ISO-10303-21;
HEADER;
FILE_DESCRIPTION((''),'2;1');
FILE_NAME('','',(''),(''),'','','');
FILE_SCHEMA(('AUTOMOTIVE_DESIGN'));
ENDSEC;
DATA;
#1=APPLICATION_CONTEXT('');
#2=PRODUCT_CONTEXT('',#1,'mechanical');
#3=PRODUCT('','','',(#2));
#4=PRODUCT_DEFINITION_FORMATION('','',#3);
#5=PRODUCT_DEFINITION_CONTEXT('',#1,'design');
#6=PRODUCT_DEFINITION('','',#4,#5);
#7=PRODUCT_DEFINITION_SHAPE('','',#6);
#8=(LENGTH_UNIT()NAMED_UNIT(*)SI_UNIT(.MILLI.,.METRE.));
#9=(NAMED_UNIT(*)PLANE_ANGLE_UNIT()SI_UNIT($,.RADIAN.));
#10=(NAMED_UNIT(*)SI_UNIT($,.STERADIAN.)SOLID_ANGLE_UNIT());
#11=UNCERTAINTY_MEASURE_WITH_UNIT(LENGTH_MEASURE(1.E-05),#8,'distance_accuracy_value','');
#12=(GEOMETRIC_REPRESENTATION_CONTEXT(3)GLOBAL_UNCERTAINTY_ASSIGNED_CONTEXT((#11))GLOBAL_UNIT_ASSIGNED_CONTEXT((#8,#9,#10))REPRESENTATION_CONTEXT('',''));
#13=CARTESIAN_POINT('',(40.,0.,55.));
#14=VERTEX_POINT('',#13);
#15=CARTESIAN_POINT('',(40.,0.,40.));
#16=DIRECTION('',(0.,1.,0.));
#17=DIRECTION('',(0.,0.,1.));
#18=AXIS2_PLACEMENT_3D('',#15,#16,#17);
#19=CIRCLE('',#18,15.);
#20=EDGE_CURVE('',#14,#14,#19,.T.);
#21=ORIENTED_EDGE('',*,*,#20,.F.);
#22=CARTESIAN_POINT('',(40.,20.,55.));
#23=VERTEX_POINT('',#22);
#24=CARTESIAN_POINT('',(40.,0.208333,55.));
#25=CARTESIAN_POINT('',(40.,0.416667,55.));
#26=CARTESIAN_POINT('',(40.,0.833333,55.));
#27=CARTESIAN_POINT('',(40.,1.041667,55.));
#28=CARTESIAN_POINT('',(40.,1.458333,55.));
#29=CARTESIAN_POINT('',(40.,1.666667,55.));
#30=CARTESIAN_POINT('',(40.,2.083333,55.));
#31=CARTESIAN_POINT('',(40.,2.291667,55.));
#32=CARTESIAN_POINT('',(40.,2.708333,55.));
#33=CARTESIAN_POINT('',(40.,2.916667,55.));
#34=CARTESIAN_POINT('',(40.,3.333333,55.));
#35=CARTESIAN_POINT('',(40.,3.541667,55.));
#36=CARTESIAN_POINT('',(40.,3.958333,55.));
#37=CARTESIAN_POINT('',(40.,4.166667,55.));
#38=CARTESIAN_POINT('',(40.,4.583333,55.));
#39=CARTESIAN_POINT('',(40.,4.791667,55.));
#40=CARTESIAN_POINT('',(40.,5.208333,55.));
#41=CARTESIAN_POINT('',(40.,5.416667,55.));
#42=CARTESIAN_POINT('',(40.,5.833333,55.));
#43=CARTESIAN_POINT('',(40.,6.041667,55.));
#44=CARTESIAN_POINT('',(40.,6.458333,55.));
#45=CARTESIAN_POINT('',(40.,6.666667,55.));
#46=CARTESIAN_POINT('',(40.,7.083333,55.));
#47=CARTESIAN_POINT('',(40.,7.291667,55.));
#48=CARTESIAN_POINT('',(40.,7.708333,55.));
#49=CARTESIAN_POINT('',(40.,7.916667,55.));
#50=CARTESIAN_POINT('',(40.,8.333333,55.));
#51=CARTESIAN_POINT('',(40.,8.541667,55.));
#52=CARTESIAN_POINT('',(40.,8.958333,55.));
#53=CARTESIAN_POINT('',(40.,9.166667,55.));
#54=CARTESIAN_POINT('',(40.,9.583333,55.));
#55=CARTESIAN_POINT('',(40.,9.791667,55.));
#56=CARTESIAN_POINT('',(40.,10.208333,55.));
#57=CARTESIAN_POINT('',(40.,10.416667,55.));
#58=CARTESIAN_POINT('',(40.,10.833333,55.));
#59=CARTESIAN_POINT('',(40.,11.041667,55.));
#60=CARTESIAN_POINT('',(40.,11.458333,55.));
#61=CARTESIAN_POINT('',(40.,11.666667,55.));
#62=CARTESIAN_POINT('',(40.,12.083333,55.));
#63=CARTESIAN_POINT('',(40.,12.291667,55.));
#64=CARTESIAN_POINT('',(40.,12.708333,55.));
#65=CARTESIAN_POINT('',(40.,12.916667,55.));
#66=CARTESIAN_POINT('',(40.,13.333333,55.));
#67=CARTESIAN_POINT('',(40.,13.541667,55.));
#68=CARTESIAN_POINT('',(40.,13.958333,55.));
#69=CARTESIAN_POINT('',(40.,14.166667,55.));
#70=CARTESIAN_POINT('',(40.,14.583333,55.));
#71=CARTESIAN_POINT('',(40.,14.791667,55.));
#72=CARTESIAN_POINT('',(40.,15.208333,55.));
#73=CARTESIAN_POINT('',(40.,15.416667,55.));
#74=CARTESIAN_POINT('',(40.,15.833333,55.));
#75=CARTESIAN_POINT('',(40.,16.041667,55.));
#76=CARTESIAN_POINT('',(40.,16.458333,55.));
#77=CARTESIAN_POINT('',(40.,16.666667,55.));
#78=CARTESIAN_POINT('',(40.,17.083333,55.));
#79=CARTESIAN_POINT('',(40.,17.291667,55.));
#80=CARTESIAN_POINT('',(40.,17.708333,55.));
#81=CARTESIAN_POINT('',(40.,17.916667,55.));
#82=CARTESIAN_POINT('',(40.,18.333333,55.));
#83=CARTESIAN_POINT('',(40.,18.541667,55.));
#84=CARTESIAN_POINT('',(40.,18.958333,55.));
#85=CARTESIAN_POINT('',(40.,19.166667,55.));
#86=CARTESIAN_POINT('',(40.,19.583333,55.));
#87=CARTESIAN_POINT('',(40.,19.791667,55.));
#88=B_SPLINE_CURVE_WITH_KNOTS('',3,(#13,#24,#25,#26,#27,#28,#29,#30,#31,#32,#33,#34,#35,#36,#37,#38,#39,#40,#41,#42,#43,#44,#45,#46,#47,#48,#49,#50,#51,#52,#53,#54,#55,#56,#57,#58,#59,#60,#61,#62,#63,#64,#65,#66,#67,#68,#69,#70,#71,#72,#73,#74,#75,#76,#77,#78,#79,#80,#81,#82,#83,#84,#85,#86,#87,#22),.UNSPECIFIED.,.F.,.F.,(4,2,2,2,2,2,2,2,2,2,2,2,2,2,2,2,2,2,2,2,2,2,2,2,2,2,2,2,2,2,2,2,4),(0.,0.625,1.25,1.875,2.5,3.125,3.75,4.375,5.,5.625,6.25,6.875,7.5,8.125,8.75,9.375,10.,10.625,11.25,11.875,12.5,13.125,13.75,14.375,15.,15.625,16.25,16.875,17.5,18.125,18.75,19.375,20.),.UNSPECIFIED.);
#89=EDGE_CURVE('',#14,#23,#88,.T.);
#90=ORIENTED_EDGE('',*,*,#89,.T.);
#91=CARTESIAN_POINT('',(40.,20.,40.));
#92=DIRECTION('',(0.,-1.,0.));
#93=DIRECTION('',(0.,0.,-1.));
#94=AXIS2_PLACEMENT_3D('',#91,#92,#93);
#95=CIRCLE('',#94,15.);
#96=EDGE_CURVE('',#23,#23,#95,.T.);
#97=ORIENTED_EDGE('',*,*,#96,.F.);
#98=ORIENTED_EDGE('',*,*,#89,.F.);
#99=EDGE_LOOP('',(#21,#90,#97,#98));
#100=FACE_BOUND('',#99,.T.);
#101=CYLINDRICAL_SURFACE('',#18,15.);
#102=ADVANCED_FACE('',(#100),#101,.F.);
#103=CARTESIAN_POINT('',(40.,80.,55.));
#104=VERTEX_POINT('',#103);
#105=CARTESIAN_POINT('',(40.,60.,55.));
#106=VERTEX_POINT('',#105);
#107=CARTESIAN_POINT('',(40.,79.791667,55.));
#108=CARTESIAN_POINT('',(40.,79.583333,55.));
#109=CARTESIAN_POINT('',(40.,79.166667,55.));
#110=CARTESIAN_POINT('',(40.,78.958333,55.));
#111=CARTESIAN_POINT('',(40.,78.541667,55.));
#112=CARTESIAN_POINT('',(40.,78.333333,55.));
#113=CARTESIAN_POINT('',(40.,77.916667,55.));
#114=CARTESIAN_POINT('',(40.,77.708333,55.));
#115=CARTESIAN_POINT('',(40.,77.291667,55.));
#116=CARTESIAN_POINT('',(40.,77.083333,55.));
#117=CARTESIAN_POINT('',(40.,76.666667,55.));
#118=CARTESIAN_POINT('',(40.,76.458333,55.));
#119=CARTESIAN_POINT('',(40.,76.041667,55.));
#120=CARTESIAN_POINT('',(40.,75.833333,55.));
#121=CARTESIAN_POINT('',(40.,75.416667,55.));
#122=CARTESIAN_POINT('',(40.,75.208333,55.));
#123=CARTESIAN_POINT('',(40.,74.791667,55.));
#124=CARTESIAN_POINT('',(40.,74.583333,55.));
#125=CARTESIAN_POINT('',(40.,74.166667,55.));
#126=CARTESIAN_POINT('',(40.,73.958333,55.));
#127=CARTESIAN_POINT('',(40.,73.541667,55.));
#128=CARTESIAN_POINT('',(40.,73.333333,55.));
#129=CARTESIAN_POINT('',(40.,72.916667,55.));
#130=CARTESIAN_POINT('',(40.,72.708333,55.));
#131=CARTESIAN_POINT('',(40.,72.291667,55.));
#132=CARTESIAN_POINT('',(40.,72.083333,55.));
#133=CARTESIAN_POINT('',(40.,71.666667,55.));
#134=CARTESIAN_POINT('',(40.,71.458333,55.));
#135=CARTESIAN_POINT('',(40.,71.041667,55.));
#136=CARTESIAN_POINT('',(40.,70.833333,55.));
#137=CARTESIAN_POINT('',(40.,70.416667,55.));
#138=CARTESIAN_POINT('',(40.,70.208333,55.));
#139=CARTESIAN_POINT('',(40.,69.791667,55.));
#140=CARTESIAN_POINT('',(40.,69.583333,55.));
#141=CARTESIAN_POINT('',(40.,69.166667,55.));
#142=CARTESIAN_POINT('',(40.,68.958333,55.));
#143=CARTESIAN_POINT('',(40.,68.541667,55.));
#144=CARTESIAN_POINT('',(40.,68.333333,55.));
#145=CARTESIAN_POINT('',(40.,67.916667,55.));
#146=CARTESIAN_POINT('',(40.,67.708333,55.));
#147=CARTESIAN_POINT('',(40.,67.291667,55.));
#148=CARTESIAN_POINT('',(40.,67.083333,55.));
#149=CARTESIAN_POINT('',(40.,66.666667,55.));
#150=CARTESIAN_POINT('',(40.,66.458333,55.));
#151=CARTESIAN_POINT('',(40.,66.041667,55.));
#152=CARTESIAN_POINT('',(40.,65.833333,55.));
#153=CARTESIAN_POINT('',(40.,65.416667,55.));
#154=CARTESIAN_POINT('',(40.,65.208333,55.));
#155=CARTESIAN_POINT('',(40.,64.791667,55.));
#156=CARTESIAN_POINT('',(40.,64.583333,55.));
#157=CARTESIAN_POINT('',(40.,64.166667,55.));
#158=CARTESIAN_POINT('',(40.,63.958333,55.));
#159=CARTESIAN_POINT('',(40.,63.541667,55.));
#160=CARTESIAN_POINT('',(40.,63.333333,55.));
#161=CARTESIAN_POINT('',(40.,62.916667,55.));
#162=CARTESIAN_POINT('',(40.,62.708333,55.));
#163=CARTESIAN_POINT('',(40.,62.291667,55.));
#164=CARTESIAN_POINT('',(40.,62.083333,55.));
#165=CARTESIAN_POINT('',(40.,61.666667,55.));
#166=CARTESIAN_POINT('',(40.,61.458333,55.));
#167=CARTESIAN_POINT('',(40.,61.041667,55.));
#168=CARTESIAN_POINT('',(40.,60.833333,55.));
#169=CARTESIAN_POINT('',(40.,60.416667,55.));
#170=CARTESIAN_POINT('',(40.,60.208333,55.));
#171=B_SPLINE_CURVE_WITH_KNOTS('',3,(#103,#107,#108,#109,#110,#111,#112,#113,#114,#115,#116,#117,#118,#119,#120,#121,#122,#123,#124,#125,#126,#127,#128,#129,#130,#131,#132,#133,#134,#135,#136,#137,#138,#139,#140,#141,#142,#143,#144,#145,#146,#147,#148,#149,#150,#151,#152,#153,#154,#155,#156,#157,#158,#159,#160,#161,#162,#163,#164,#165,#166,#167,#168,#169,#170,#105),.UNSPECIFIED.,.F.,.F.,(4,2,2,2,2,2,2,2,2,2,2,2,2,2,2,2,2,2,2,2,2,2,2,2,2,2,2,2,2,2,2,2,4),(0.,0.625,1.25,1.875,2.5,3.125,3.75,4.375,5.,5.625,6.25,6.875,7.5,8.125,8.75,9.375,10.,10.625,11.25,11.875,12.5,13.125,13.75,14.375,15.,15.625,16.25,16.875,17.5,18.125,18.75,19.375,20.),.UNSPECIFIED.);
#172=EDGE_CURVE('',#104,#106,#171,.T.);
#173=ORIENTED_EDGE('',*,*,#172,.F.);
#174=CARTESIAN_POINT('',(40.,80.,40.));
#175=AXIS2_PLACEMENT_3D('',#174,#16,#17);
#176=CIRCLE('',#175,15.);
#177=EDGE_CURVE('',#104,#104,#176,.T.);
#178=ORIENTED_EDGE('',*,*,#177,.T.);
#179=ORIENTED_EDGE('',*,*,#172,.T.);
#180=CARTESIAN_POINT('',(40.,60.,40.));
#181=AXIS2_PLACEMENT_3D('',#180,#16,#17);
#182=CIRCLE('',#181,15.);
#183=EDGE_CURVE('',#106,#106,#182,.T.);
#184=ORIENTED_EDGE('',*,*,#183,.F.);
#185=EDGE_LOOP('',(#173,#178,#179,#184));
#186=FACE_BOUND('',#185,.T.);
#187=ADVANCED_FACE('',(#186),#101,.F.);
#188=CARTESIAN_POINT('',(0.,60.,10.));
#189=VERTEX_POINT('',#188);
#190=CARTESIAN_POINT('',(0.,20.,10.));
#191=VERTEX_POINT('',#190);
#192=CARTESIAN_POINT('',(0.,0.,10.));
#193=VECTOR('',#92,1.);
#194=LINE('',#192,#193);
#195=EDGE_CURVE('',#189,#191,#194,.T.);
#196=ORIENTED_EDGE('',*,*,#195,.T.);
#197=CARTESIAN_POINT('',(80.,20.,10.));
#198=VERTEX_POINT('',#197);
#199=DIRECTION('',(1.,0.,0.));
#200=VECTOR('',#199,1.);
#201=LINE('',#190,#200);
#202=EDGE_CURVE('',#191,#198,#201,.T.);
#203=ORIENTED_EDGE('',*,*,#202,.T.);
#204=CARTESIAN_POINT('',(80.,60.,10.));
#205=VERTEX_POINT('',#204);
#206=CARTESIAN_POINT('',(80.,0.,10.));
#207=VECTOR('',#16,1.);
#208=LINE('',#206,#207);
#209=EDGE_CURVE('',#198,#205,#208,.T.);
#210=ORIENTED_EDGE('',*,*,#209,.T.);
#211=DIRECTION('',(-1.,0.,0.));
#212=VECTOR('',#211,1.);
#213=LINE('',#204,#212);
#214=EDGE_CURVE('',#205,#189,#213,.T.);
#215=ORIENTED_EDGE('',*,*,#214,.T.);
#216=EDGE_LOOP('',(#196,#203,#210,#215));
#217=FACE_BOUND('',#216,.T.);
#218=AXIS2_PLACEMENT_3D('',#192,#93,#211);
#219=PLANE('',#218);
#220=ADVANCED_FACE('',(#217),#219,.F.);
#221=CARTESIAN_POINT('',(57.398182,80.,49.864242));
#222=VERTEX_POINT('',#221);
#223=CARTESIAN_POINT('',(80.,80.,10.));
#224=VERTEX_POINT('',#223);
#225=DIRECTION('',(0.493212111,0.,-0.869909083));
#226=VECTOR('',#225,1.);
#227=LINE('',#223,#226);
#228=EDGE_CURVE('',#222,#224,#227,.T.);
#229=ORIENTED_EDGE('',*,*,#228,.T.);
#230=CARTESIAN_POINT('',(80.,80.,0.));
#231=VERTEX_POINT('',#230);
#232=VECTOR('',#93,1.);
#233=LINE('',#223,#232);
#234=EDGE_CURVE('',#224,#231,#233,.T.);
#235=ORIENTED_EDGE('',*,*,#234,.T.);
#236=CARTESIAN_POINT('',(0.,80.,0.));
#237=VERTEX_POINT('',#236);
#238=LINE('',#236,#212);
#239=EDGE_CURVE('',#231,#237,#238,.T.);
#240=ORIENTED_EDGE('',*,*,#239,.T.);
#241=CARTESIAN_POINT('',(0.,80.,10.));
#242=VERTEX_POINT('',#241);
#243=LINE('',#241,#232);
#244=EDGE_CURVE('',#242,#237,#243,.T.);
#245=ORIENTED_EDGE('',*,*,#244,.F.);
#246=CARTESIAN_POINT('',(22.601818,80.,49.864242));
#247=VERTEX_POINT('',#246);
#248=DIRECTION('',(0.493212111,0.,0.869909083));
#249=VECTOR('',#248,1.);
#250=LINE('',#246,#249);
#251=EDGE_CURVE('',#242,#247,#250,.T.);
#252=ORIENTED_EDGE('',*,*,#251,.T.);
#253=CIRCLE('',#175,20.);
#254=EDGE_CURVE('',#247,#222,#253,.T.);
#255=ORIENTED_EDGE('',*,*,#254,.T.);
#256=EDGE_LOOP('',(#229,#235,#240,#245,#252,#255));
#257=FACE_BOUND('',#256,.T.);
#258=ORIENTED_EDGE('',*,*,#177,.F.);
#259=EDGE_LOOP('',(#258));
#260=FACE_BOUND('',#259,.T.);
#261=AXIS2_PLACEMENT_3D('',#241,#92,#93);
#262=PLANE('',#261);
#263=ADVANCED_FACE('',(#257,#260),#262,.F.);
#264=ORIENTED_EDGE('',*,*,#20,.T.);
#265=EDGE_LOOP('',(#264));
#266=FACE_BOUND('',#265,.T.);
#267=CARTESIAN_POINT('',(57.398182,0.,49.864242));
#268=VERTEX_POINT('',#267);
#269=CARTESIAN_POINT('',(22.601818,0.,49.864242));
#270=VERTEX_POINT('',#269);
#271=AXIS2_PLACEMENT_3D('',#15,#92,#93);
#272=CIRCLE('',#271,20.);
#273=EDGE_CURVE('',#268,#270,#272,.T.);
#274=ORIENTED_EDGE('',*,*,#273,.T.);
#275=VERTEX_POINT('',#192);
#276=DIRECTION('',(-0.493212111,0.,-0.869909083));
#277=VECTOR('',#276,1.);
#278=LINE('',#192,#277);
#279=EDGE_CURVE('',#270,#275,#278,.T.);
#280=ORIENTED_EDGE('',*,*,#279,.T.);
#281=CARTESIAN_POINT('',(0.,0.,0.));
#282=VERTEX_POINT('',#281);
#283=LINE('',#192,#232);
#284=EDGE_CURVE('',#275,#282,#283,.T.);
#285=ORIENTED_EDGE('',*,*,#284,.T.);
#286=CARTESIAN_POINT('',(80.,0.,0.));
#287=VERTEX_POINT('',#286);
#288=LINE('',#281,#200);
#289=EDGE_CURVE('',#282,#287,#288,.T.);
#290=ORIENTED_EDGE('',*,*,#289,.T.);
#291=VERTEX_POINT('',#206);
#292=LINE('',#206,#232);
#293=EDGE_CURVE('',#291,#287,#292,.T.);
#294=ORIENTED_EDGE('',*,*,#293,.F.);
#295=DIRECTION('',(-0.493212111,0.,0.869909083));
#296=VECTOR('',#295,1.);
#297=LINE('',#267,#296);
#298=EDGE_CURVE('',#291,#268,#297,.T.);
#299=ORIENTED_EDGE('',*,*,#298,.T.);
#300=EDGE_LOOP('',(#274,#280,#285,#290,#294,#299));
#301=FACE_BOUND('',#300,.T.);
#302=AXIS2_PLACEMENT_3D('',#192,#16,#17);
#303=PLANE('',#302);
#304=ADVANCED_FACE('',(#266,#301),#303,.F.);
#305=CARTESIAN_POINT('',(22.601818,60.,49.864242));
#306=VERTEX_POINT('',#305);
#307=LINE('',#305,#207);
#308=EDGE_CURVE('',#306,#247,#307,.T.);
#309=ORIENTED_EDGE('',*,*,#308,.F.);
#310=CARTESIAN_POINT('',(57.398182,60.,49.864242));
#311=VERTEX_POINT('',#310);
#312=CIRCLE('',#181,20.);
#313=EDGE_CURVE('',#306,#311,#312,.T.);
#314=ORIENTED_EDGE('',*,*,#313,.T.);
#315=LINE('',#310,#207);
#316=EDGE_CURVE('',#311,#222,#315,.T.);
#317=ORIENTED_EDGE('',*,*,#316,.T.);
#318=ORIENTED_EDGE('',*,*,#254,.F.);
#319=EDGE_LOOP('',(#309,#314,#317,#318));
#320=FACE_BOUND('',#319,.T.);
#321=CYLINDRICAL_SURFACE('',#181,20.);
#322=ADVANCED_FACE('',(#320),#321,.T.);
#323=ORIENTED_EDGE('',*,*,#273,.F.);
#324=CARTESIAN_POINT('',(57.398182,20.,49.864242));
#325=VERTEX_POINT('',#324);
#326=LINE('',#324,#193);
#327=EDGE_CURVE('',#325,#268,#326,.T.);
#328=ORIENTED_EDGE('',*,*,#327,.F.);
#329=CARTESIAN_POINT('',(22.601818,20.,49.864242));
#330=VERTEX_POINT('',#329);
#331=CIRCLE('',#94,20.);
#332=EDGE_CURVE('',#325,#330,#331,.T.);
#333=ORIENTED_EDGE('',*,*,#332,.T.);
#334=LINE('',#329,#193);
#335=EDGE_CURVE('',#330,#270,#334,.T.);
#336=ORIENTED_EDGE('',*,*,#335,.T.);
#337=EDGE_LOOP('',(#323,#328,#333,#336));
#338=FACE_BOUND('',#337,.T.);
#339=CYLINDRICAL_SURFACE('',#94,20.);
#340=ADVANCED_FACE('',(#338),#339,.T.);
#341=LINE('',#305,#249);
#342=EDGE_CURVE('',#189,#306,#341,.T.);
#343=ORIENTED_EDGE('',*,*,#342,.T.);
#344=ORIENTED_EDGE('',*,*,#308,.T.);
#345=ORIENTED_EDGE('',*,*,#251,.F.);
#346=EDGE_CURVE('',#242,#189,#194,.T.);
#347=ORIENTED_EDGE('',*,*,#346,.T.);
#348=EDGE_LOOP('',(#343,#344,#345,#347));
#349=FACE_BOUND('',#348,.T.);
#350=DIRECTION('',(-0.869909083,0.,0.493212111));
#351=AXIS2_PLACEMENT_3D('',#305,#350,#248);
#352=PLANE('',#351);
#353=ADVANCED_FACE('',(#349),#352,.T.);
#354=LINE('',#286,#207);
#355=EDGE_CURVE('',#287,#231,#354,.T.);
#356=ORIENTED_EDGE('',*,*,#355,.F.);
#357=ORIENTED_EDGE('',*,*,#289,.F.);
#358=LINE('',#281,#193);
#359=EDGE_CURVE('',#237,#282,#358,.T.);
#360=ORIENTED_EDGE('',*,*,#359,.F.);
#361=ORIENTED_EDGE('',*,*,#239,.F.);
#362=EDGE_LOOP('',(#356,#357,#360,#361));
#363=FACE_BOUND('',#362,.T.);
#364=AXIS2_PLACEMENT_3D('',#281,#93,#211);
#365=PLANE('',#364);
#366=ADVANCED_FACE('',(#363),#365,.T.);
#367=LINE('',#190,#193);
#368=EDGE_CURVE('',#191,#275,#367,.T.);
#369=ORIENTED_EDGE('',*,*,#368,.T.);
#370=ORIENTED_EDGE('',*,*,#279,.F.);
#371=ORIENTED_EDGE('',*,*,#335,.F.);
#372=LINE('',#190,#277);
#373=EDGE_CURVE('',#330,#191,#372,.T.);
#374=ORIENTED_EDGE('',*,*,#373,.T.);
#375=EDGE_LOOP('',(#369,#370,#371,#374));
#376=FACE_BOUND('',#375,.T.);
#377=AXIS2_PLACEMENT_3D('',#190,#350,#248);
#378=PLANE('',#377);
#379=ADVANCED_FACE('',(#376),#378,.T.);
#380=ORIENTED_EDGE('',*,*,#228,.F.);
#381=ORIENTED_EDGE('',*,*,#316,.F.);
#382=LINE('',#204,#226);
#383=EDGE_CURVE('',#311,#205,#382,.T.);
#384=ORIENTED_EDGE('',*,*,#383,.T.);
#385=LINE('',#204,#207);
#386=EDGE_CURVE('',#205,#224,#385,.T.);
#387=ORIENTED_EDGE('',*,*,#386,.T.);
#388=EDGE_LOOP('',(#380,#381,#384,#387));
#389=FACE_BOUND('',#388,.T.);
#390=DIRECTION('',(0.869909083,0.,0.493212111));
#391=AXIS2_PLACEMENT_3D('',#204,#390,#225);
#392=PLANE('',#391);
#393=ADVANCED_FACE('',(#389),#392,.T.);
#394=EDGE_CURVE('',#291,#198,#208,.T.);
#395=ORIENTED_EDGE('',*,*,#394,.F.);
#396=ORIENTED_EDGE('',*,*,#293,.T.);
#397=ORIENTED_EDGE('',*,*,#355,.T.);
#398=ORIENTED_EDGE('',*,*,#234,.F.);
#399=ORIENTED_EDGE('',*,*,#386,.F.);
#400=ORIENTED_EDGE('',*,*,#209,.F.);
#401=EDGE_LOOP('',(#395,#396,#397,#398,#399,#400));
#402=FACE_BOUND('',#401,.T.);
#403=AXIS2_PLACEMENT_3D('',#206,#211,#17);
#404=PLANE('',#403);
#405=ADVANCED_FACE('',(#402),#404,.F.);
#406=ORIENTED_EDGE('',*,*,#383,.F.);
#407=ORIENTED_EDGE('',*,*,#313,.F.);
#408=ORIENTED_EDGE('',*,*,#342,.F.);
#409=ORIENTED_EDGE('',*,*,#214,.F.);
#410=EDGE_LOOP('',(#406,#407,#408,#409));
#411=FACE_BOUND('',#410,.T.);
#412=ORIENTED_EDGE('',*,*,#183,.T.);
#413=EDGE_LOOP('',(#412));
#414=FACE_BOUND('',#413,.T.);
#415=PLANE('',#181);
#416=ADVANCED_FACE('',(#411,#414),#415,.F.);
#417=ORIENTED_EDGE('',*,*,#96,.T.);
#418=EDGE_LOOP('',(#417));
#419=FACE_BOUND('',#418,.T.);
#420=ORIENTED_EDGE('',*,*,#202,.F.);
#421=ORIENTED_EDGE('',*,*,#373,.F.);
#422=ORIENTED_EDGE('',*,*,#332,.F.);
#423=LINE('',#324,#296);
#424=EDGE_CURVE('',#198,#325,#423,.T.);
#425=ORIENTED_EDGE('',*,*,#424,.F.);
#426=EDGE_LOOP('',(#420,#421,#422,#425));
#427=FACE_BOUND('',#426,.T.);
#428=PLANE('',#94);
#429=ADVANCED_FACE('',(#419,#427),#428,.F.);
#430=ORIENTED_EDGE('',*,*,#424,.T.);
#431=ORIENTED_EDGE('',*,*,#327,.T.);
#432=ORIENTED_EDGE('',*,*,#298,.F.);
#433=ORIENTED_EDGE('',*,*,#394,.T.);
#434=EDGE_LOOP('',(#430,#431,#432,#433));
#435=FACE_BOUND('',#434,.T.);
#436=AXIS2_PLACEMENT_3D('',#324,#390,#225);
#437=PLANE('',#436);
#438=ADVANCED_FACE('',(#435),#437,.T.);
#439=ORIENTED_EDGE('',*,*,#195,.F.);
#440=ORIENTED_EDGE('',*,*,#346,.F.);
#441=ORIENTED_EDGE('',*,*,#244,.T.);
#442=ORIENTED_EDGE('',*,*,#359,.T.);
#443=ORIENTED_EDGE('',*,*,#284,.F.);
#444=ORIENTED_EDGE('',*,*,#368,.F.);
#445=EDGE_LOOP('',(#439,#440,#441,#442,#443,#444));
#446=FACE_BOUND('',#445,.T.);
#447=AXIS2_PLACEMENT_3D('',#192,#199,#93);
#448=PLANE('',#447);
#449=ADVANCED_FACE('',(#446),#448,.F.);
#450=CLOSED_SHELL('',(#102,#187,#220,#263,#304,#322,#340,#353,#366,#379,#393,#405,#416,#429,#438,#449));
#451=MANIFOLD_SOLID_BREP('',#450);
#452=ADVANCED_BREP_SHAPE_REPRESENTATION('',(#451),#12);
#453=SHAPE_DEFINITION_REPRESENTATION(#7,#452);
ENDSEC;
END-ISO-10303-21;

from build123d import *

# Parameters (mm, degrees)
SKETCH_2_W          = 80
SKETCH_2_H          = 80
EXTRUDE_1_DEPTH     = 10
EXTRUDE_2_DEPTH     = 20
EXTRUDE_START       = -20
EXTRUDE_3_DEPTH     = 20
SKETCH_5_R          = 15
CUT_EXTRUDE_1_DEPTH = 80


with BuildPart() as part:
    # 草图2 → 凸台-拉伸1 (new body)
    with BuildSketch(Plane.XY):
        with Locations((40, 40)):
            Rectangle(SKETCH_2_W, SKETCH_2_H)
    extrude(amount=EXTRUDE_1_DEPTH)

    # 草图3 → 凸台-拉伸2 (add)
    with BuildSketch(Plane.XZ):
        with BuildLine():
            Line((0, 10), (22.601818332, 49.864242224))
            ThreePointArc((22.601818332, 49.864242224), (40, 60), (57.398181668, 49.864242224))
            Line((57.398181668, 49.864242224), (80, 10))
            Line((80, 10), (0, 10))
        make_face()
    extrude(amount=-EXTRUDE_2_DEPTH)

    # 草图4 → 凸台-拉伸3 (add)
    with BuildSketch(Plane(origin=(0, 80, 0), x_dir=(1, 0, 0), z_dir=(0, 1, 0)).offset(EXTRUDE_START)):
        with BuildLine():
            Line((80, -10), (57.398181668, -49.864242224))
            ThreePointArc((57.398181668, -49.864242224), (40, -60), (22.601818332, -49.864242224))
            Line((22.601818332, -49.864242224), (0, -10))
            Line((0, -10), (80, -10))
        make_face()
    extrude(amount=EXTRUDE_3_DEPTH)

    # 草图5 → 切除-拉伸1 (cut)
    with BuildSketch(Plane(origin=(0, 80, 0), x_dir=(1, 0, 0), z_dir=(0, 1, 0))):
        with Locations(Location((40, -40, 0), (0, 0, 270))):
            Circle(SKETCH_5_R)
    extrude(amount=-CUT_EXTRUDE_1_DEPTH, mode=Mode.SUBTRACT)


solid = part.part
